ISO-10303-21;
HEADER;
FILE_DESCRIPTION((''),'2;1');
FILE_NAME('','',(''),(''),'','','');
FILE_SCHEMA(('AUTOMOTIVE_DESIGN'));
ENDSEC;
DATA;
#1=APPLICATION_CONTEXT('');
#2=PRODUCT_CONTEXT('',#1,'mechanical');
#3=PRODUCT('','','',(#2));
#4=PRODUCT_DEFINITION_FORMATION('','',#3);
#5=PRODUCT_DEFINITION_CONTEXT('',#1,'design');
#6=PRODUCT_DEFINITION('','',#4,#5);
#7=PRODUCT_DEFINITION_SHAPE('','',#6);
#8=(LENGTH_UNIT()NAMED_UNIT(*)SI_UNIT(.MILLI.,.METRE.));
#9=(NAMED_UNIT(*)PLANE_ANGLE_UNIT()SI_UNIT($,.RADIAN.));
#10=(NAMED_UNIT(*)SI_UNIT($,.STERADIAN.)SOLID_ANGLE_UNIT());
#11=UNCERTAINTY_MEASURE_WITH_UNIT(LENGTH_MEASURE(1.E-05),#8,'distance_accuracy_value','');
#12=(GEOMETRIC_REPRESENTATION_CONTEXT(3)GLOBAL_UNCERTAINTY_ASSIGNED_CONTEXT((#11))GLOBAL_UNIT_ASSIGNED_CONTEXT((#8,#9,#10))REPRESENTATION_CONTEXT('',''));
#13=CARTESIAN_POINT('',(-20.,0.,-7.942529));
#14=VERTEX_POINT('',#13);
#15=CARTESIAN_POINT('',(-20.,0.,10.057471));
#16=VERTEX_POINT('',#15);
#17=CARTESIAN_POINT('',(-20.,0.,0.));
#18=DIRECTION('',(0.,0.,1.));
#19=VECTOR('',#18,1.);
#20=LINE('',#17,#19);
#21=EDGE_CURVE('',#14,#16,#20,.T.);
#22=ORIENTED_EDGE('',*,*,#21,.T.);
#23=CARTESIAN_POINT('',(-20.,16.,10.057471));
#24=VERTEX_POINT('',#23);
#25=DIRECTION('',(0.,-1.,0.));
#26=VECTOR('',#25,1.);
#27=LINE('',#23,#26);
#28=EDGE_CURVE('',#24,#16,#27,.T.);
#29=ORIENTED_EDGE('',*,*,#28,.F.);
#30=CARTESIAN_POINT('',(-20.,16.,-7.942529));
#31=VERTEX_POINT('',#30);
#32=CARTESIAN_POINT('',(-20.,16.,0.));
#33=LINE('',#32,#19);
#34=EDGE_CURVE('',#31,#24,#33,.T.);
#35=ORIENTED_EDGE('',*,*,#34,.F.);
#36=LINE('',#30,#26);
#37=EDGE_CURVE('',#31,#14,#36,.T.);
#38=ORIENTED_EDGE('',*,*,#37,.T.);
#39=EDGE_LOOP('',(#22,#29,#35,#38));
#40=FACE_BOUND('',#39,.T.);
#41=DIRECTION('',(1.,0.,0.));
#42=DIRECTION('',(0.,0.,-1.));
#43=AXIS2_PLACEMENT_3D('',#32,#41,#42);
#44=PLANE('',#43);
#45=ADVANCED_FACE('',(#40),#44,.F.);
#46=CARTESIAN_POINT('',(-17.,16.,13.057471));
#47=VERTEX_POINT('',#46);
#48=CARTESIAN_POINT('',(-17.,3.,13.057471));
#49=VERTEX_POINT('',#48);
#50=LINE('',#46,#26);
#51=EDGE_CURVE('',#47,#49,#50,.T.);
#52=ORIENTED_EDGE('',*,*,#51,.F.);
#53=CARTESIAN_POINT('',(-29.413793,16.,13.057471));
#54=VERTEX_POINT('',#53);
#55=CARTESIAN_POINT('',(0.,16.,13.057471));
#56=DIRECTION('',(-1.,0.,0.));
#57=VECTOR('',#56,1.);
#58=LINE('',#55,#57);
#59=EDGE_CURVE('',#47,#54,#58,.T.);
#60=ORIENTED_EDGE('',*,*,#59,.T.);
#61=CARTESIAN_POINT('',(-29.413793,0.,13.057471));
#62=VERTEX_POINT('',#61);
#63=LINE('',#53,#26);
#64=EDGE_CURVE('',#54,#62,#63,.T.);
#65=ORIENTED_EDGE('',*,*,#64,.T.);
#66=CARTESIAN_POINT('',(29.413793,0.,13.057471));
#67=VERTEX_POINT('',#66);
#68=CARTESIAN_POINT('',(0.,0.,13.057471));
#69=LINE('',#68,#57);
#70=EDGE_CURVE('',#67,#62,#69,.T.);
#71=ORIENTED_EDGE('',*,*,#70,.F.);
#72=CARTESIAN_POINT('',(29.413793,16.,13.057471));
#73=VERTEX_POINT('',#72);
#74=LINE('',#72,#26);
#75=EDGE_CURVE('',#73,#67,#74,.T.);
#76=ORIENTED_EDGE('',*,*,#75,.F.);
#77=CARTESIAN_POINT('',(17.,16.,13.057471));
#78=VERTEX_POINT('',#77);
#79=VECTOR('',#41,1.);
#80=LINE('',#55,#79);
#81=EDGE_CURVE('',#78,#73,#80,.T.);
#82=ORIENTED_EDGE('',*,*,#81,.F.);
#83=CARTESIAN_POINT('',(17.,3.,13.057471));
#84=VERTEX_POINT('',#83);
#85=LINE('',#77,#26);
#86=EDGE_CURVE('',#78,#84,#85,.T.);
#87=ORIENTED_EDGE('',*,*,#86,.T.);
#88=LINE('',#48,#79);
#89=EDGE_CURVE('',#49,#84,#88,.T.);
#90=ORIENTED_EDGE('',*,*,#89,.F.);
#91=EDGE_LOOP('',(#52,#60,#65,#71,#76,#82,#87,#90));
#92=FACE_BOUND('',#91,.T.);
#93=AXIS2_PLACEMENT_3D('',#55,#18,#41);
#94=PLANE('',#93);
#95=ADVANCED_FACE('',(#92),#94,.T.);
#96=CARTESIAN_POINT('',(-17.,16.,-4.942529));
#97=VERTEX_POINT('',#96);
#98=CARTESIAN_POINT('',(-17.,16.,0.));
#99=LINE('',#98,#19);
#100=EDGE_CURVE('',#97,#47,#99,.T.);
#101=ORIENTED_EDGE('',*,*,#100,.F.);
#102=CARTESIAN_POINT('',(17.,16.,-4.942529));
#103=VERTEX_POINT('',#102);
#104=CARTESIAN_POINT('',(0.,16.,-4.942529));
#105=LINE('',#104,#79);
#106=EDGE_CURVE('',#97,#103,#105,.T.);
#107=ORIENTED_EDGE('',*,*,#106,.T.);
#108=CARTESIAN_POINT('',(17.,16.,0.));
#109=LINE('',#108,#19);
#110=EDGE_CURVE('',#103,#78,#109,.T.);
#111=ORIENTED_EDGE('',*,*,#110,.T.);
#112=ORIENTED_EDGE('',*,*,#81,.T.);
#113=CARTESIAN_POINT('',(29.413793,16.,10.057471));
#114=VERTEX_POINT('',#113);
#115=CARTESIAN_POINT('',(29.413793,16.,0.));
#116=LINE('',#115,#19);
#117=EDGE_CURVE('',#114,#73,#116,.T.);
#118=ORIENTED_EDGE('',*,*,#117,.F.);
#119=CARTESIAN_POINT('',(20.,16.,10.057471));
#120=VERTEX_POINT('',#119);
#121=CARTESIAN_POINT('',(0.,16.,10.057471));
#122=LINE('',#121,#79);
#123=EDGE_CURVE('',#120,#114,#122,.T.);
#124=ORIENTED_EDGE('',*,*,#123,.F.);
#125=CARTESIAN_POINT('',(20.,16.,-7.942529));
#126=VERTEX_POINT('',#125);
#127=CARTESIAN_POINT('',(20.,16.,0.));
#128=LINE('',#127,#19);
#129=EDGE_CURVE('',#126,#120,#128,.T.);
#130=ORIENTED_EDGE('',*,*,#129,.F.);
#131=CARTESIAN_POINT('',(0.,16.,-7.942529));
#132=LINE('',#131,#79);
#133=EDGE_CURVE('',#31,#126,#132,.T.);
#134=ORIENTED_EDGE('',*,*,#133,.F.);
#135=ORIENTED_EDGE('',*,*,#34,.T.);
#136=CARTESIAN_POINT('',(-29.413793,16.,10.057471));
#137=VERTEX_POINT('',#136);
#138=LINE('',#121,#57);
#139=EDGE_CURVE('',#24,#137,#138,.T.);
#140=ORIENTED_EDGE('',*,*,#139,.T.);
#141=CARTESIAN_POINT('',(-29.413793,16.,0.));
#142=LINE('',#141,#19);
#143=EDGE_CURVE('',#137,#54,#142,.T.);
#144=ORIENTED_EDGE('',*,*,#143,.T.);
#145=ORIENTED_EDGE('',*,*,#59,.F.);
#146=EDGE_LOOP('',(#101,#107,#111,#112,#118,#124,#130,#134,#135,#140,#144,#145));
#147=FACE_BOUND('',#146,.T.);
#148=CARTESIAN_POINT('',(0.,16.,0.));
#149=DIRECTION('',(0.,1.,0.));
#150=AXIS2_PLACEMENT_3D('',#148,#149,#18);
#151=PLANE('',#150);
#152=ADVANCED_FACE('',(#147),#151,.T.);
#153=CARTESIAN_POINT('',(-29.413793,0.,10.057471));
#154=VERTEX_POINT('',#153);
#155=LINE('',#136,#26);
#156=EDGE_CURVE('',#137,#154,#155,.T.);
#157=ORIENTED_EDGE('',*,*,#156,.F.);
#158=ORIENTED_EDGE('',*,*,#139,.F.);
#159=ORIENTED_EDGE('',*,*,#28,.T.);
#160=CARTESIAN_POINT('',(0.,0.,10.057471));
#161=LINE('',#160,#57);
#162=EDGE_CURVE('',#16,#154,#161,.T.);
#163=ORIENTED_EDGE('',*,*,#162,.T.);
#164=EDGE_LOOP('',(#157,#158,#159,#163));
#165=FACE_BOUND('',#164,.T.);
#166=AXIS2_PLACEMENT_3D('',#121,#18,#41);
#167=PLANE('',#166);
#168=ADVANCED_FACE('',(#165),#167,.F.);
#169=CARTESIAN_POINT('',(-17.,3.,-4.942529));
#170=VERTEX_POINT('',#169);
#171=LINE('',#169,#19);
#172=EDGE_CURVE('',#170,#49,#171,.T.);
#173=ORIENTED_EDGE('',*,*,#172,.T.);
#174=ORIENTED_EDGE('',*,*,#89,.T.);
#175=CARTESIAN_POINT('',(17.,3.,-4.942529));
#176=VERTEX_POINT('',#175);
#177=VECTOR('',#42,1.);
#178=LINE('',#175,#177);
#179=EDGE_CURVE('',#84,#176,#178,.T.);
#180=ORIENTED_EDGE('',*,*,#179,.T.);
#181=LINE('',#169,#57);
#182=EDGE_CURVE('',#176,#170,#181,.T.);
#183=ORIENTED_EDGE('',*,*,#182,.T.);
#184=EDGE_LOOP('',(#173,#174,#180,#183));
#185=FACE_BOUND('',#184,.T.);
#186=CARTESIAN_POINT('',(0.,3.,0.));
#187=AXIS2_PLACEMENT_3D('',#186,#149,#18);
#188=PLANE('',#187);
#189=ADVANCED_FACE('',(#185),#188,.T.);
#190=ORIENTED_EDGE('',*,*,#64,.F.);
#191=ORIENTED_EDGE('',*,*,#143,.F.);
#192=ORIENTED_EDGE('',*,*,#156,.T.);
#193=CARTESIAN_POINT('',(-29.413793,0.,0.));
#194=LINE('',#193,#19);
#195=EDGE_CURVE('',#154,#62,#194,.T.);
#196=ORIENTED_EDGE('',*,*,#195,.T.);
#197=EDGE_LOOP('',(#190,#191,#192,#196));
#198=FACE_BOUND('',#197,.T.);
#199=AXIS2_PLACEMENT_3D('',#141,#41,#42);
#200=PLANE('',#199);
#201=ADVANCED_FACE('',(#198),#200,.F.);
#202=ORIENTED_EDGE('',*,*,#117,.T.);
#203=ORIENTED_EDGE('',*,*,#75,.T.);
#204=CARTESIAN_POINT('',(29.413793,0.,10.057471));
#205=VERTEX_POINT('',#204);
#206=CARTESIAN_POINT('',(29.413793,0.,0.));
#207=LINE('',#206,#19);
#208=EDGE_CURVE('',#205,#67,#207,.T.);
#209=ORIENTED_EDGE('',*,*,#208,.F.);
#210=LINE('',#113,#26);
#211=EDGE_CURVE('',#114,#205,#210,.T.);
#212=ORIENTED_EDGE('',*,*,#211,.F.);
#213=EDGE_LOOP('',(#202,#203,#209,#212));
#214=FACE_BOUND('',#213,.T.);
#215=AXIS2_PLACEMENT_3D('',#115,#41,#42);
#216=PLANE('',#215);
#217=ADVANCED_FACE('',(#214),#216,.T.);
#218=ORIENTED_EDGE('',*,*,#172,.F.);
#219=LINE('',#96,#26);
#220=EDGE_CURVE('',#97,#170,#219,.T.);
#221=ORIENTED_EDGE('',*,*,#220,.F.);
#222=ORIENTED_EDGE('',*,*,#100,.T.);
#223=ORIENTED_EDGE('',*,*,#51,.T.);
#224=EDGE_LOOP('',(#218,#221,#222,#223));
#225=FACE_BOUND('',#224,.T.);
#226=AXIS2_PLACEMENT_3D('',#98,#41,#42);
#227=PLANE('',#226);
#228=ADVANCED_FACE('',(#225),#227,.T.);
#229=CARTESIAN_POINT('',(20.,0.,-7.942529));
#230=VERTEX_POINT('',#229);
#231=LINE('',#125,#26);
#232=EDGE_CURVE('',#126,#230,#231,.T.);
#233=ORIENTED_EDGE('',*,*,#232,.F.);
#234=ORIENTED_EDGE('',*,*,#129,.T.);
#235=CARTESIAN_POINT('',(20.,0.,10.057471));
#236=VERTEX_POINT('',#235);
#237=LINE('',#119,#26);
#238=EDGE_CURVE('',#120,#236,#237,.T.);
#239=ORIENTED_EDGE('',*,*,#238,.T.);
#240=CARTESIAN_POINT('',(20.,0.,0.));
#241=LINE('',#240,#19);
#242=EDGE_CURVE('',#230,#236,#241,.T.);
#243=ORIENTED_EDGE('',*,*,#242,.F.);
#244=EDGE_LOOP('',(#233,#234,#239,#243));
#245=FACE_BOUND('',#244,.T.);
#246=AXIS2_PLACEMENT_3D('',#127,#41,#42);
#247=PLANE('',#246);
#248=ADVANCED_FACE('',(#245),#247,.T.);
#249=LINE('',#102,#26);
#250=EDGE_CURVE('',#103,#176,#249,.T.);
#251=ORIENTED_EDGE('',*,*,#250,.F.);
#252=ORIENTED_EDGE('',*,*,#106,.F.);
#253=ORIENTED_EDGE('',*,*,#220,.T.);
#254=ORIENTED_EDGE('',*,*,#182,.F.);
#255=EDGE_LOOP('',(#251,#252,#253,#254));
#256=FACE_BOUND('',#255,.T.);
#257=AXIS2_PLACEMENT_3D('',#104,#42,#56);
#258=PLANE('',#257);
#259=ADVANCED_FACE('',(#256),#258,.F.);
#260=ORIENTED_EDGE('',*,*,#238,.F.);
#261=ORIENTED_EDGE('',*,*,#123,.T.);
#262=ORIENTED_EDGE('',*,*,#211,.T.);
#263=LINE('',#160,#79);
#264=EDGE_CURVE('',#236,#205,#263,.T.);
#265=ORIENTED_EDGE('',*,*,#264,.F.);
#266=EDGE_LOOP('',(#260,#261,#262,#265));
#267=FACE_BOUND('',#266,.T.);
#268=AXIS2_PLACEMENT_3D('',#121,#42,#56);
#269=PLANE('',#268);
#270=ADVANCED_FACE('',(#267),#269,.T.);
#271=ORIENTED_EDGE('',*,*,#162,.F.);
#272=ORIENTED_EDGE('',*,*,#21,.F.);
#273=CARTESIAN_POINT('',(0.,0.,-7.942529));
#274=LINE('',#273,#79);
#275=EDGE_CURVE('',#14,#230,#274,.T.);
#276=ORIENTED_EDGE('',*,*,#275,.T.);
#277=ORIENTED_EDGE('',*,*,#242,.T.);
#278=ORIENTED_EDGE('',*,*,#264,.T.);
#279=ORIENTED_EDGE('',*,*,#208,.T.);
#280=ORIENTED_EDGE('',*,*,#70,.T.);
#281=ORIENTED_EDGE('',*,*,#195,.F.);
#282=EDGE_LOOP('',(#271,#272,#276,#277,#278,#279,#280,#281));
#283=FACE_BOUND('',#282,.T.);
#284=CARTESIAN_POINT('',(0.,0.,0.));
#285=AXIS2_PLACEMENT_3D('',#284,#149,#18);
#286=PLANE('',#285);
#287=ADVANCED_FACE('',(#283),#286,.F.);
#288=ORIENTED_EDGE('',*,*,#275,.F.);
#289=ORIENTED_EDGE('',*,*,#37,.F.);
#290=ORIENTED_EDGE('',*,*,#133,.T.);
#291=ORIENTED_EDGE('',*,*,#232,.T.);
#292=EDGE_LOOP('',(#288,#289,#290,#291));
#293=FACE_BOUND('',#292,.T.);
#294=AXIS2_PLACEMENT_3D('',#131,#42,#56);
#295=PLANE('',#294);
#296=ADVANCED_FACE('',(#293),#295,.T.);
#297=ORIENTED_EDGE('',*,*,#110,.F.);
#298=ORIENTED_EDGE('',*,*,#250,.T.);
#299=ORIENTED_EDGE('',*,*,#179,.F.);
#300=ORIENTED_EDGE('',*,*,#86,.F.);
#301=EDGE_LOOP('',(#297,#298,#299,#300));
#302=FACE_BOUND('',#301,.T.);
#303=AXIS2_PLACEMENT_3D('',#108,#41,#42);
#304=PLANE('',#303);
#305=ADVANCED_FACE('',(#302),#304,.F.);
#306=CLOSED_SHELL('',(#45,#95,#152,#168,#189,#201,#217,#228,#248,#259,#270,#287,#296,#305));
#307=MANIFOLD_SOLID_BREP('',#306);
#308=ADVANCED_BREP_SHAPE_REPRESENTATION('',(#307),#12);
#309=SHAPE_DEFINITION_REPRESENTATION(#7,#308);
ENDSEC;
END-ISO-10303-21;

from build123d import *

# Parameters (mm, degrees)
SKETCH1_W           = 3
SKETCH1_H           = 15
SKETCH1_W_2         = 12.413793103
SKETCH1_H_2         = 3
BOSS_EXTRUDE1_DEPTH = 16
SKETCH2_W           = 34
SKETCH2_H           = 18
BOSS_EXTRUDE2_DEPTH = 3


with BuildPart() as part:
    # Sketch1 → Boss-Extrude1 (new body)
    with BuildSketch(Plane(origin=(0, 0, 0), x_dir=(1, 0, 0), z_dir=(0, 1, 0))):
        with Locations((-18.5, -2.557471264)):
            Rectangle(SKETCH1_W, SKETCH1_H)
        with Locations((-23.206896552, -11.557471264)):
            Rectangle(SKETCH1_W_2, SKETCH1_H_2)
        Polygon((0, 7.942528736), (-20, 7.942528736), (-20, 4.942528736), (-17, 4.942528736), (0, 4.942528736), align=None)
        Polygon((20, 7.942528736), (0, 7.942528736), (0, 4.942528736), (17, 4.942528736), (20, 4.942528736), align=None)
        with Locations((18.5, -2.557471264)):
            Rectangle(SKETCH1_W, SKETCH1_H)
        Polygon((29.413793103, -10.057471264), (20, -10.057471264), (17, -10.057471264), (17, -13.057471264), (29.413793103, -13.057471264), align=None)
    extrude(amount=BOSS_EXTRUDE1_DEPTH)

    # Sketch2 → Boss-Extrude2 (add)
    with BuildSketch(Plane(origin=(0, 0, 0), x_dir=(1, 0, 0), z_dir=(0, 1, 0))):
        with Locations((0, -4.057471264)):
            Rectangle(SKETCH2_W, SKETCH2_H)
    extrude(amount=BOSS_EXTRUDE2_DEPTH)


solid = part.part
